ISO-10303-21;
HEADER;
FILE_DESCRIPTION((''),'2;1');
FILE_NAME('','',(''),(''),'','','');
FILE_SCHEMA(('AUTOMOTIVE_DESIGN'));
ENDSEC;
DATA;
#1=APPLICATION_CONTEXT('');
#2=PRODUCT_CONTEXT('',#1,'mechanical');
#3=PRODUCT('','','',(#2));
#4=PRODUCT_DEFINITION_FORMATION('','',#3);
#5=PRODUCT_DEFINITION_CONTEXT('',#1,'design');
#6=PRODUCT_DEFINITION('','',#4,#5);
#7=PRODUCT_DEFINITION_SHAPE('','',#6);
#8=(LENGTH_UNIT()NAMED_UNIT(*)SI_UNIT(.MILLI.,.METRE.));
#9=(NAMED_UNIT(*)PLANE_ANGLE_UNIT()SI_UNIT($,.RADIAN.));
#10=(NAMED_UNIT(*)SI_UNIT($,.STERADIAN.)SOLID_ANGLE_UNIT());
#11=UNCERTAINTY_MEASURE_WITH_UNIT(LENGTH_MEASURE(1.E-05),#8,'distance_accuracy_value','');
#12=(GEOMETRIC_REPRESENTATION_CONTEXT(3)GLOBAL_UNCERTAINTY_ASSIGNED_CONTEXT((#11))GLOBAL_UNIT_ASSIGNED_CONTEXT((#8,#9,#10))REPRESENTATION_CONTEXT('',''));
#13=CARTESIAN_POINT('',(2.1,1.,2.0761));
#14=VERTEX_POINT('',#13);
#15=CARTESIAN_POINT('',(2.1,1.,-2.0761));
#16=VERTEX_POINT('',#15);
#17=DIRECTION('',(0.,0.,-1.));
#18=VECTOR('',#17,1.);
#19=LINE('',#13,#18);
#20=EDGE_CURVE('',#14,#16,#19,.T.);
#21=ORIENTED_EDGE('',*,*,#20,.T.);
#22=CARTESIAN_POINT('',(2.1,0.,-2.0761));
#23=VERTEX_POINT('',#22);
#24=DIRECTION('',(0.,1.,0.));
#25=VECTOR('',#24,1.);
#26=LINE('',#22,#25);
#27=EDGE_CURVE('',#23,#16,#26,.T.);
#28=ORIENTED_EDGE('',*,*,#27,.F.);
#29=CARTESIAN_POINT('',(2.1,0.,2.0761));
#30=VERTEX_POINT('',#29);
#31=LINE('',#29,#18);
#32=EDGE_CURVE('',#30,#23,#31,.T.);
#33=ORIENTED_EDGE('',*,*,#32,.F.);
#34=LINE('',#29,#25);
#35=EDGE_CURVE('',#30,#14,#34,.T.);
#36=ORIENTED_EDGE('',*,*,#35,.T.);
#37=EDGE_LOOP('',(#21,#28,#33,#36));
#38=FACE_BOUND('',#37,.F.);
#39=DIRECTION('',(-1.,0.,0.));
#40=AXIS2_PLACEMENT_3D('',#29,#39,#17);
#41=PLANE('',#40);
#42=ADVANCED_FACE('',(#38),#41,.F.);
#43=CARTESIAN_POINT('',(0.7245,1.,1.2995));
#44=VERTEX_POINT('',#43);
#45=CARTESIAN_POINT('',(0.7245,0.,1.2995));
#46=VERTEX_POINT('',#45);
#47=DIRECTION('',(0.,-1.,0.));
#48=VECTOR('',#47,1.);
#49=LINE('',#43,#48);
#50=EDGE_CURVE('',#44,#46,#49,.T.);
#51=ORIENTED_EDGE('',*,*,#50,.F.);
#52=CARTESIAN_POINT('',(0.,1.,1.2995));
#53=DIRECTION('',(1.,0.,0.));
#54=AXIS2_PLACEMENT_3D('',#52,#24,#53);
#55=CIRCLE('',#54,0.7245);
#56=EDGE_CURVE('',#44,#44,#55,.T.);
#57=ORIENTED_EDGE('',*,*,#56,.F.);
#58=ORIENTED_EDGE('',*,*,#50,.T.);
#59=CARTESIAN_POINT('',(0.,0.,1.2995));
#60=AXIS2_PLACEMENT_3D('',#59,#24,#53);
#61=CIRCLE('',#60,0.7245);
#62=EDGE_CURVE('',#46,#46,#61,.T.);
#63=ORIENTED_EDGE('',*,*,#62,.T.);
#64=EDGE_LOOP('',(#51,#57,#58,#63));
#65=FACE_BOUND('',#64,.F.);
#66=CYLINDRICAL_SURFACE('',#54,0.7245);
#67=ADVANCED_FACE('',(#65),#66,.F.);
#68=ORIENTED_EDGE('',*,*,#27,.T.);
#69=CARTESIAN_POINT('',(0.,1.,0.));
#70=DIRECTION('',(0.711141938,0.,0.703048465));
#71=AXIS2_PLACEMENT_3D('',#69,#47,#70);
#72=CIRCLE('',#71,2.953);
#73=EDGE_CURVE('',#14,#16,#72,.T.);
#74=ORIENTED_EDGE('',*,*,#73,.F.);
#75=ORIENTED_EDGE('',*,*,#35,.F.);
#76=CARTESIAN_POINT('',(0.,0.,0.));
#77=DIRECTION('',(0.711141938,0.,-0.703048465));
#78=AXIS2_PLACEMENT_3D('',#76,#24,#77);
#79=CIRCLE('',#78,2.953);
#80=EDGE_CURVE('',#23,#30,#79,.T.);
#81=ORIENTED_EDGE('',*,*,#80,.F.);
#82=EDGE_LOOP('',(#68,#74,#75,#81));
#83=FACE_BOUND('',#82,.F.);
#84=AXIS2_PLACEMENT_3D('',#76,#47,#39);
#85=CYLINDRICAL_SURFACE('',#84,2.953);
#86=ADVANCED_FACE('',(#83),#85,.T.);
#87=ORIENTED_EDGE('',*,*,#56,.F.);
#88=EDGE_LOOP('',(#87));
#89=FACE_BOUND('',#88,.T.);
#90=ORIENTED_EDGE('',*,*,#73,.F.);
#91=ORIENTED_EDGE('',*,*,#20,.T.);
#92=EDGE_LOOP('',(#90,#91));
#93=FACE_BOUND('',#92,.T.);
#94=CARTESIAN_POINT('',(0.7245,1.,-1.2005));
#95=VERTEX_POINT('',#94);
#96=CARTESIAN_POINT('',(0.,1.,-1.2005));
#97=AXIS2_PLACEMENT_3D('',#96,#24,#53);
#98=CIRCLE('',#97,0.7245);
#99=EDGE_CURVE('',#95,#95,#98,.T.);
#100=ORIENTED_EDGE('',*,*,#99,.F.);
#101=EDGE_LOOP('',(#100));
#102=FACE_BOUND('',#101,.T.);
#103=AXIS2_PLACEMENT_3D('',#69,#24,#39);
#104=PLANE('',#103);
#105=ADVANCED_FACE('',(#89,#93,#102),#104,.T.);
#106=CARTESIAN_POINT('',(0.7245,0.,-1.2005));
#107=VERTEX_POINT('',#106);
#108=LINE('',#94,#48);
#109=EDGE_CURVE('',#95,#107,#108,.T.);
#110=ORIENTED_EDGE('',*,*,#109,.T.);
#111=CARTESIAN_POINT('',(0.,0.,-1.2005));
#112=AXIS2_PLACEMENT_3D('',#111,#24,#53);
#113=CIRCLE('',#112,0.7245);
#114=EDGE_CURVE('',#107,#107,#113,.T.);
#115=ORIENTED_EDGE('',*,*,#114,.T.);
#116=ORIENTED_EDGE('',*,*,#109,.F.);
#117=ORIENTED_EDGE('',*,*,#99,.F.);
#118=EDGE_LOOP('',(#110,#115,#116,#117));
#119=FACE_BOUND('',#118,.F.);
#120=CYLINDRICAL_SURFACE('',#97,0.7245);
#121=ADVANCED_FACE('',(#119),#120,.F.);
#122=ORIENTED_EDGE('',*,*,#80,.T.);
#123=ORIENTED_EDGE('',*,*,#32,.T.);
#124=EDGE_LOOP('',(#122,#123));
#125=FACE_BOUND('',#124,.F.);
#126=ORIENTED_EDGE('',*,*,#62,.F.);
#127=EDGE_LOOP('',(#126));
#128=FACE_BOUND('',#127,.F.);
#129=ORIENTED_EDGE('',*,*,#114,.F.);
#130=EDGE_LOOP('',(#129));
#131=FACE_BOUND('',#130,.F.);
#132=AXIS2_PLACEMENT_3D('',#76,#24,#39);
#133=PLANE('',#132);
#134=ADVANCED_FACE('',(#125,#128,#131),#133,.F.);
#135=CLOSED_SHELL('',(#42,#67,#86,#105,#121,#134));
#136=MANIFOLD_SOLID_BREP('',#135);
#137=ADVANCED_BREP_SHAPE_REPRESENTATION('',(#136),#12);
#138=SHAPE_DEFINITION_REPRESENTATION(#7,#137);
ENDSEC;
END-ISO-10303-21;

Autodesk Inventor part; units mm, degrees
ref_plane "YZ Plane" through (0, 0, 0) normal (1, 0, 0) x (0, 1, 0)
ref_plane "XZ Plane" through (0, 0, 0) normal (0, 1, 0) x (-1, 0, 0)
ref_plane "Work Plane5" through (-16.3609, 5.6177, 1.7996) normal (0, 1, 0) x (1, 0, 0)
sketch "Sketch53" plane through (0, 0, 0) normal (0, 1, 0) x (-1, 0, 0)
  circle A0 centre (0, 0) radius 2.953
  line L0 (-2.1, 2.0761) -> (-2.1, -2.0761)
  dimension "d212" = 5.906
  dimension "d213" = 2.1
sketch "Sketch54" plane through (0, 0, 0) normal (0, 1, 0) x (-1, 0, 0)
  point P0 (0, 0)
extrude "Extrusion39" add sketch "Sketch53" along normal blind 1 contours A0 L0 picked at (-0.4157, 0)
sketch "Sketch55" plane through (0, 1, 0) normal (0, 1, 0) x (1, 0, 0)
  circle A0 centre (0, -1.2995) radius 0.7245
  circle A1 centre (0, 1.2005) radius 0.7245
  point P0 (0, 0)
  dimension "d218" = 2.5
extrude "Extrusion40" cut sketch "Sketch55" against normal through all
equation "\"PANEL_THICKNESS\" = 3.175"
equation "\"WALL\" = 3"
equation "\"SLACK\" = 1"
properties part number "capPRINT4"
